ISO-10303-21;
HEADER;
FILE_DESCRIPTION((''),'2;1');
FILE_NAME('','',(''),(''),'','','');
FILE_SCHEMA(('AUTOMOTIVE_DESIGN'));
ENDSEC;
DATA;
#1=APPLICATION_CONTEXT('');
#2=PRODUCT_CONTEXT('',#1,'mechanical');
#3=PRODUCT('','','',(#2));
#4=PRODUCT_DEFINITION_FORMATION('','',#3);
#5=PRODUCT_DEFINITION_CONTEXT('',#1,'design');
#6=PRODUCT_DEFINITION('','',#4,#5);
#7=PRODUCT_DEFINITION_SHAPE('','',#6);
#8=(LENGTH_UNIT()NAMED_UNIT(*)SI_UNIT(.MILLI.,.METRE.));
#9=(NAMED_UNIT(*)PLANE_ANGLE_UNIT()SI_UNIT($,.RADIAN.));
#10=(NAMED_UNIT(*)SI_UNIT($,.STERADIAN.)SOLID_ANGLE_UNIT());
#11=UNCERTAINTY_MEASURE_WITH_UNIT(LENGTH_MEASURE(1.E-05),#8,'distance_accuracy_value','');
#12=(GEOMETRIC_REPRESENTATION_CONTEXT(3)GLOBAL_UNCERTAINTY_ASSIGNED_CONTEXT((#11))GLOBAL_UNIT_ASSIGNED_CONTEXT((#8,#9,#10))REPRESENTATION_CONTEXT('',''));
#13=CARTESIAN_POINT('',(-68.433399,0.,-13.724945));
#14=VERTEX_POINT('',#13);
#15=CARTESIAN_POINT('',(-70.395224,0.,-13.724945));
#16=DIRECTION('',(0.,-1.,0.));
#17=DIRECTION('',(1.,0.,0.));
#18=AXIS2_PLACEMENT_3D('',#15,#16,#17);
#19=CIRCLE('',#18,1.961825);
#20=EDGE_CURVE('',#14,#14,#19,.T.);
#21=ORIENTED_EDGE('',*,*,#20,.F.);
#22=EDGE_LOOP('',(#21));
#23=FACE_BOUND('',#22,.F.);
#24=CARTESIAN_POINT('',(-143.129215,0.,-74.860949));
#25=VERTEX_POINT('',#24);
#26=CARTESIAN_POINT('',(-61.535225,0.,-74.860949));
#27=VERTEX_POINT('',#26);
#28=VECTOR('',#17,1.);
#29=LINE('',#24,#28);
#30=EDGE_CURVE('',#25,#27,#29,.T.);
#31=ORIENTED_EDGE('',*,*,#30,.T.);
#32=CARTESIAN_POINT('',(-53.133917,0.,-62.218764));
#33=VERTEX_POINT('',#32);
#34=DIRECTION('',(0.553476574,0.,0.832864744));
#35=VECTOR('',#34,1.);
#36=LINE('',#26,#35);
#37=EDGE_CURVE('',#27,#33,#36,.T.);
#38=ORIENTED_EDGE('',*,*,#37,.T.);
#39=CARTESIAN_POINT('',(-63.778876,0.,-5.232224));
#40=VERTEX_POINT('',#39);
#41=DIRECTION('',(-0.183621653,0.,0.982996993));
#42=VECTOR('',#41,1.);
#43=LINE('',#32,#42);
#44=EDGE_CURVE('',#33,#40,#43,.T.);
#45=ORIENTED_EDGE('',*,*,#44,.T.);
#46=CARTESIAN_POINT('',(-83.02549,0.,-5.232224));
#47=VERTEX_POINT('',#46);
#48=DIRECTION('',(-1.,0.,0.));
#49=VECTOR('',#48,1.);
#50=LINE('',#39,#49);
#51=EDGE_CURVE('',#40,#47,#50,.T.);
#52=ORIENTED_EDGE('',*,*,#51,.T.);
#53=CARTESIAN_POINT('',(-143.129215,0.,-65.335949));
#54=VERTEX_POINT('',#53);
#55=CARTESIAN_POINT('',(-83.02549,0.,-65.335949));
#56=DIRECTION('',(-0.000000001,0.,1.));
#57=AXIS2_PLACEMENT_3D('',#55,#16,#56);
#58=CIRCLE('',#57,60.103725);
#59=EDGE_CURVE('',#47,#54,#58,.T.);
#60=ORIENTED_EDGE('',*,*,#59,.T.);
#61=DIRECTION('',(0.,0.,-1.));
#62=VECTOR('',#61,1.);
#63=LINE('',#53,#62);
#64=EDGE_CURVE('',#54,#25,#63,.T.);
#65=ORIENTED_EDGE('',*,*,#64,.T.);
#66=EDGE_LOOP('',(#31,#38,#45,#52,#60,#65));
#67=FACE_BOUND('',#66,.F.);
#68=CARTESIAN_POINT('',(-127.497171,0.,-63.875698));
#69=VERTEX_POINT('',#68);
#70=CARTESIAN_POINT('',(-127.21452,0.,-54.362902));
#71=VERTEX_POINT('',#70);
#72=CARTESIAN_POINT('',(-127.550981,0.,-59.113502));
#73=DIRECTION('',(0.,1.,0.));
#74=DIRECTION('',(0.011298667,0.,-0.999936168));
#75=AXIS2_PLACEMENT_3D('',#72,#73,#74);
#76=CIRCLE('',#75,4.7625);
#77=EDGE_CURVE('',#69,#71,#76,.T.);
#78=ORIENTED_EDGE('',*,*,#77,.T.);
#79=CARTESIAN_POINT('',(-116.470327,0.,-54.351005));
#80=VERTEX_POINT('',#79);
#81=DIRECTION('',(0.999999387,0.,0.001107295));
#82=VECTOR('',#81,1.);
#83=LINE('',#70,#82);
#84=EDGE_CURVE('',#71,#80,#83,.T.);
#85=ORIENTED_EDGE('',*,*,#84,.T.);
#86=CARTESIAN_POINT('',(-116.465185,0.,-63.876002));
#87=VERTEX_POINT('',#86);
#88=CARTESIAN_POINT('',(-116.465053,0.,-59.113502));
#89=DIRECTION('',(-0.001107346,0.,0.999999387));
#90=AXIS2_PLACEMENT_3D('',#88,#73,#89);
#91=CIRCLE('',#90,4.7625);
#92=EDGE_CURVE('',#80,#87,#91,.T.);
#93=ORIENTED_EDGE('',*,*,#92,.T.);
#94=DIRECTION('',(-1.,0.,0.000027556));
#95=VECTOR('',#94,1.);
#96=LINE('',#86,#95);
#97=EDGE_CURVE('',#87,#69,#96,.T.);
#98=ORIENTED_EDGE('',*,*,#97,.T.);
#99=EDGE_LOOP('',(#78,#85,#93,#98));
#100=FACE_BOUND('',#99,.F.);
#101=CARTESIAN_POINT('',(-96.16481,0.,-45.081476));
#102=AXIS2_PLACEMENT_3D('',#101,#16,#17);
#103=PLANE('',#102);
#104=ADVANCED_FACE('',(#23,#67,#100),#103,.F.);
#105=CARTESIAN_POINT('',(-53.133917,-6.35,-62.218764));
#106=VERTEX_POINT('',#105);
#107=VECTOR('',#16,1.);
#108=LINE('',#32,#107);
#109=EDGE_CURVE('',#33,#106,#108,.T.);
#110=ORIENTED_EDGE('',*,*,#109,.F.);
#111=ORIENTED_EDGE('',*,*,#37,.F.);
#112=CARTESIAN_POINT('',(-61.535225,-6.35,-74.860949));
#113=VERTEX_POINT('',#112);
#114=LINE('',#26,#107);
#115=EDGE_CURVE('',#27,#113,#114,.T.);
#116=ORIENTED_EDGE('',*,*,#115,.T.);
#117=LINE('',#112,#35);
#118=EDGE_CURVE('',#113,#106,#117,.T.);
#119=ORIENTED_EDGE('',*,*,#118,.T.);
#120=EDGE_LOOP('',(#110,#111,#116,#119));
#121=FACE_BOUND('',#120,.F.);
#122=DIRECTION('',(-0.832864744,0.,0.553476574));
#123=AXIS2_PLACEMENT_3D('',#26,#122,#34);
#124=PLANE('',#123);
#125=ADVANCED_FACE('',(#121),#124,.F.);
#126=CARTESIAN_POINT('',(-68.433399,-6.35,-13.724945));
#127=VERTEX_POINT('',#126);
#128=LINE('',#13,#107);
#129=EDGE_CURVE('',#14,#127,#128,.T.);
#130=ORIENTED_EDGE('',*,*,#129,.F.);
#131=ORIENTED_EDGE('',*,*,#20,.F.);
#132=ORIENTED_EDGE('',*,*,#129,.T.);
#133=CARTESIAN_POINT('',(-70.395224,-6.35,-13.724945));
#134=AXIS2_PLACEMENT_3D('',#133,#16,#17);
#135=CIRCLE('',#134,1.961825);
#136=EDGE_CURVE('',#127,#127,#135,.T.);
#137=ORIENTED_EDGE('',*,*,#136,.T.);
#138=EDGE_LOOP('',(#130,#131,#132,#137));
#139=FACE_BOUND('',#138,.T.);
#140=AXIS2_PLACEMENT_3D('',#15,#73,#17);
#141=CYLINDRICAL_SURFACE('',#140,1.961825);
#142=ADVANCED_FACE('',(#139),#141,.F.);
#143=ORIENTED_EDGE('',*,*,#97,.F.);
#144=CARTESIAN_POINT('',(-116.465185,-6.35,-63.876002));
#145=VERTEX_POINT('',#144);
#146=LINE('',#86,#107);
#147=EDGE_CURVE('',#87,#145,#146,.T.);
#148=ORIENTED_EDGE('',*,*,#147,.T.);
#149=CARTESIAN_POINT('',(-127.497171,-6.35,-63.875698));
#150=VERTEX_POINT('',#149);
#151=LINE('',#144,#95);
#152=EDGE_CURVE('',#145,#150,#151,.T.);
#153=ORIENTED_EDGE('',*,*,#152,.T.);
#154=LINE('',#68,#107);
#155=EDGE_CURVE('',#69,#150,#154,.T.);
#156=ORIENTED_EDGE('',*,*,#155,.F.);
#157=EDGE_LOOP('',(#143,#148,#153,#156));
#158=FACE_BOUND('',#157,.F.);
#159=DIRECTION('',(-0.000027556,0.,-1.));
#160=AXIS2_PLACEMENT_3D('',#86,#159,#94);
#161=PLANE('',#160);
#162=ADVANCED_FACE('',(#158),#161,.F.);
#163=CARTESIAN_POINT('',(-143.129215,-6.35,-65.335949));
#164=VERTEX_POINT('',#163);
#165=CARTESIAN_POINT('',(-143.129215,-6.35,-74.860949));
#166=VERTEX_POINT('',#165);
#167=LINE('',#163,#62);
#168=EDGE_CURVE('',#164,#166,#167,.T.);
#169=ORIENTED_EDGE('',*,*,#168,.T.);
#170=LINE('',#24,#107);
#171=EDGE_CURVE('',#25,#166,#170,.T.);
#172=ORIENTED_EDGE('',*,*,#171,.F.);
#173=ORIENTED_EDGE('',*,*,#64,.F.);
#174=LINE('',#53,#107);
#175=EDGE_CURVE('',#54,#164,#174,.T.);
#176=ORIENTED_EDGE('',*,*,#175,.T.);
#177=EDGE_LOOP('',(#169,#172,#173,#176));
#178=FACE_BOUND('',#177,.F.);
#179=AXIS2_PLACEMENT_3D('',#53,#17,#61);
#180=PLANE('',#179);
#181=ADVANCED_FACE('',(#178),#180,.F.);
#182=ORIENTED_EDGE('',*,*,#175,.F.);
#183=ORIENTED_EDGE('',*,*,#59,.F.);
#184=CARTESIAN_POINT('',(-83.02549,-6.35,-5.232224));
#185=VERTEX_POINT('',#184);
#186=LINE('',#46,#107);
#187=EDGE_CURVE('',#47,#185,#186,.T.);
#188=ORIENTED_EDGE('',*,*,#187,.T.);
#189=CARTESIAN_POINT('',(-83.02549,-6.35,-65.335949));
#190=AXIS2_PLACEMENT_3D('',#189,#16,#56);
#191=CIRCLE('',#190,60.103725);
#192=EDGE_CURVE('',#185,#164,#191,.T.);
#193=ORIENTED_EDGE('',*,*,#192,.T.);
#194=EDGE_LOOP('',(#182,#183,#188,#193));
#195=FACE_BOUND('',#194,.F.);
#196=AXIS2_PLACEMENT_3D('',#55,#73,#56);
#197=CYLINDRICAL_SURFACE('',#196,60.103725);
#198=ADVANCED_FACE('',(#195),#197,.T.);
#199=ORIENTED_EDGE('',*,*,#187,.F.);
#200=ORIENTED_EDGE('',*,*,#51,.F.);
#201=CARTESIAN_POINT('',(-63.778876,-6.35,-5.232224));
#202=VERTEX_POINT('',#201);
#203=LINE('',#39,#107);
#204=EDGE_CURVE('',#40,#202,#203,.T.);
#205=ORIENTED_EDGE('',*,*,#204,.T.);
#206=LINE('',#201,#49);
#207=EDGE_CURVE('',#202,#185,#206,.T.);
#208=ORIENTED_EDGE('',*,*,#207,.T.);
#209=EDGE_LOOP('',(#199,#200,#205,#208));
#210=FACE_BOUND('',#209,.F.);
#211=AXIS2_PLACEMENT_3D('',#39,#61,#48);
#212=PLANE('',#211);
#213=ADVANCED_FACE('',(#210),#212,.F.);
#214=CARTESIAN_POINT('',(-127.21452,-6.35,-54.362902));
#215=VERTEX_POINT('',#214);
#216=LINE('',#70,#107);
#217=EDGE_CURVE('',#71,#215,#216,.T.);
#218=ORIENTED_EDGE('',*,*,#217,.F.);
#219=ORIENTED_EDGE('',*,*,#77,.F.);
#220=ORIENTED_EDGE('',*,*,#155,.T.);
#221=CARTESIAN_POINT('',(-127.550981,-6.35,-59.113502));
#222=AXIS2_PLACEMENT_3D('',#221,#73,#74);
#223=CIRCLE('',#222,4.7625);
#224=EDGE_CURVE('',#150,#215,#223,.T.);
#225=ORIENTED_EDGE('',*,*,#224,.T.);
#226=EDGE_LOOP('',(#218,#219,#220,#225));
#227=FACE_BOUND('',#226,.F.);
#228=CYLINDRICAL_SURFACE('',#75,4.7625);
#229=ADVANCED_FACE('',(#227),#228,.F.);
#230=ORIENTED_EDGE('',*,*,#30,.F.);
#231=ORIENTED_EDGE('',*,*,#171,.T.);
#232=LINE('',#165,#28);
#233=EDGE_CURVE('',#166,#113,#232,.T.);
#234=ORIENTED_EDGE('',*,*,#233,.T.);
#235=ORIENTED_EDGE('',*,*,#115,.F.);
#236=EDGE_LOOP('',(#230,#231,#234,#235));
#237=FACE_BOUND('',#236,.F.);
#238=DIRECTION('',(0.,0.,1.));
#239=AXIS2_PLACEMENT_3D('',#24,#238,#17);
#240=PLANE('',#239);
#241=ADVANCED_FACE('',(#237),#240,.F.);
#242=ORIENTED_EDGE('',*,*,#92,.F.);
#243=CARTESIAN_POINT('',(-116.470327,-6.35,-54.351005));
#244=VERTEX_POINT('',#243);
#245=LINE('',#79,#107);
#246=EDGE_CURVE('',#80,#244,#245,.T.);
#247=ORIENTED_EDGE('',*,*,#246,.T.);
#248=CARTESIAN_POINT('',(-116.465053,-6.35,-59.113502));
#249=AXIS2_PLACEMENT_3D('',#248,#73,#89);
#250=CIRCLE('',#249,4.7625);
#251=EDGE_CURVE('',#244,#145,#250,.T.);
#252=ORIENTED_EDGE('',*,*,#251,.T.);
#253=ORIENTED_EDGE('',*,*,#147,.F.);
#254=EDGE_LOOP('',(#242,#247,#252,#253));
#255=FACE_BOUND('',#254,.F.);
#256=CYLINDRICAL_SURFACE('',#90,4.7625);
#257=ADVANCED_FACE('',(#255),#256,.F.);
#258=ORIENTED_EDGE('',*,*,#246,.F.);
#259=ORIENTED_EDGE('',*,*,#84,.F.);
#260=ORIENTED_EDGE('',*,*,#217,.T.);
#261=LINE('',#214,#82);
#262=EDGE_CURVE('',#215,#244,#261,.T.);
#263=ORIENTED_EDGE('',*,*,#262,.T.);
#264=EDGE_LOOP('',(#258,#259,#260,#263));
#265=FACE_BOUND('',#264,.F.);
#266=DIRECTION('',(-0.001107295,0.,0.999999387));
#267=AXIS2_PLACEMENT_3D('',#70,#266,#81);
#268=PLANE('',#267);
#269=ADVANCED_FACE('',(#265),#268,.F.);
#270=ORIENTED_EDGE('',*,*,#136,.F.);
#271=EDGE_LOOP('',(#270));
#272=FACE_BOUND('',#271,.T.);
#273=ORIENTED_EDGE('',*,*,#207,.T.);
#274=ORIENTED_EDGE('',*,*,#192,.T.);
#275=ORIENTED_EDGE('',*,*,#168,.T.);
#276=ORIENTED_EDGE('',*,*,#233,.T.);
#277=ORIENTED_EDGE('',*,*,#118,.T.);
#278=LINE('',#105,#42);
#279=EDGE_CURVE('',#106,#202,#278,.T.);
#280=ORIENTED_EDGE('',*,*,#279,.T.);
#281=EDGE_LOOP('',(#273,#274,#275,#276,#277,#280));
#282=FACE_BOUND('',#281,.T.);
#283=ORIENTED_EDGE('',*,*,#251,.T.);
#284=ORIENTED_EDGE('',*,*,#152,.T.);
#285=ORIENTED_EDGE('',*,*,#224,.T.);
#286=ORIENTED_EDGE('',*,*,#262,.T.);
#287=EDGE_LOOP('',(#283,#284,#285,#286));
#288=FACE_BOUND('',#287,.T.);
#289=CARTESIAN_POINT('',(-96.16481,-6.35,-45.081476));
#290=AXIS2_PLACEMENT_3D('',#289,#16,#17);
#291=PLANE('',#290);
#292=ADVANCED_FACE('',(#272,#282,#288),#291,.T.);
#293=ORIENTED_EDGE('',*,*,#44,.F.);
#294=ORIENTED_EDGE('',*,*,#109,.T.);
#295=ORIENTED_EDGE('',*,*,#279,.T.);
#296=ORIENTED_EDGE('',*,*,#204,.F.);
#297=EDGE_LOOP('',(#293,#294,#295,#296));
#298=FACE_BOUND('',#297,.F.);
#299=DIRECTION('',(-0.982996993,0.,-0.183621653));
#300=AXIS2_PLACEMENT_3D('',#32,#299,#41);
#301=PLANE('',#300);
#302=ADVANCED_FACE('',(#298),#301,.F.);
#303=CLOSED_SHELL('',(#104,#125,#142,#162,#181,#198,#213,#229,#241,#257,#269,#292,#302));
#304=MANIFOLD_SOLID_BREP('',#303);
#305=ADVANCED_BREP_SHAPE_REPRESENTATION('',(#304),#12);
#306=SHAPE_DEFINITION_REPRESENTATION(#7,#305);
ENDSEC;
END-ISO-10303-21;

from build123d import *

# Parameters (mm, degrees)
F0_R     = 1.961825
F1_DEPTH = 6.35


with BuildPart() as f1:
    # F0 (on Front) → F1 (new body)
    with BuildSketch(Plane.XZ):
        with BuildLine():
            Line((-53.133917, -62.218764), (-63.778876, -5.232224))
            Line((-63.778876, -5.232224), (-83.02549, -5.232224))
            ThreePointArc((-83.02549, -5.232224), (-125.525241, -22.836197), (-143.129215, -65.335949))
            Line((-143.129215, -65.335949), (-143.129215, -74.860949))
            Line((-143.129215, -74.860949), (-61.535225, -74.860949))
            Line((-61.535225, -74.860949), (-53.133917, -62.218764))
        make_face()
        with BuildLine():
            ThreePointArc((-127.497171, -63.875698), (-132.31138, -58.972057), (-127.21452, -54.362902))
            Line((-127.21452, -54.362902), (-116.470327, -54.351005))
            ThreePointArc((-116.470327, -54.351005), (-111.702554, -59.11093), (-116.465185, -63.876002))
            Line((-116.465185, -63.876002), (-127.497171, -63.875698))
        make_face(mode=Mode.SUBTRACT)
        with Locations((-70.395224, -13.724945)):
            Circle(F0_R, mode=Mode.SUBTRACT)
    extrude(amount=F1_DEPTH)


solid = f1.part
